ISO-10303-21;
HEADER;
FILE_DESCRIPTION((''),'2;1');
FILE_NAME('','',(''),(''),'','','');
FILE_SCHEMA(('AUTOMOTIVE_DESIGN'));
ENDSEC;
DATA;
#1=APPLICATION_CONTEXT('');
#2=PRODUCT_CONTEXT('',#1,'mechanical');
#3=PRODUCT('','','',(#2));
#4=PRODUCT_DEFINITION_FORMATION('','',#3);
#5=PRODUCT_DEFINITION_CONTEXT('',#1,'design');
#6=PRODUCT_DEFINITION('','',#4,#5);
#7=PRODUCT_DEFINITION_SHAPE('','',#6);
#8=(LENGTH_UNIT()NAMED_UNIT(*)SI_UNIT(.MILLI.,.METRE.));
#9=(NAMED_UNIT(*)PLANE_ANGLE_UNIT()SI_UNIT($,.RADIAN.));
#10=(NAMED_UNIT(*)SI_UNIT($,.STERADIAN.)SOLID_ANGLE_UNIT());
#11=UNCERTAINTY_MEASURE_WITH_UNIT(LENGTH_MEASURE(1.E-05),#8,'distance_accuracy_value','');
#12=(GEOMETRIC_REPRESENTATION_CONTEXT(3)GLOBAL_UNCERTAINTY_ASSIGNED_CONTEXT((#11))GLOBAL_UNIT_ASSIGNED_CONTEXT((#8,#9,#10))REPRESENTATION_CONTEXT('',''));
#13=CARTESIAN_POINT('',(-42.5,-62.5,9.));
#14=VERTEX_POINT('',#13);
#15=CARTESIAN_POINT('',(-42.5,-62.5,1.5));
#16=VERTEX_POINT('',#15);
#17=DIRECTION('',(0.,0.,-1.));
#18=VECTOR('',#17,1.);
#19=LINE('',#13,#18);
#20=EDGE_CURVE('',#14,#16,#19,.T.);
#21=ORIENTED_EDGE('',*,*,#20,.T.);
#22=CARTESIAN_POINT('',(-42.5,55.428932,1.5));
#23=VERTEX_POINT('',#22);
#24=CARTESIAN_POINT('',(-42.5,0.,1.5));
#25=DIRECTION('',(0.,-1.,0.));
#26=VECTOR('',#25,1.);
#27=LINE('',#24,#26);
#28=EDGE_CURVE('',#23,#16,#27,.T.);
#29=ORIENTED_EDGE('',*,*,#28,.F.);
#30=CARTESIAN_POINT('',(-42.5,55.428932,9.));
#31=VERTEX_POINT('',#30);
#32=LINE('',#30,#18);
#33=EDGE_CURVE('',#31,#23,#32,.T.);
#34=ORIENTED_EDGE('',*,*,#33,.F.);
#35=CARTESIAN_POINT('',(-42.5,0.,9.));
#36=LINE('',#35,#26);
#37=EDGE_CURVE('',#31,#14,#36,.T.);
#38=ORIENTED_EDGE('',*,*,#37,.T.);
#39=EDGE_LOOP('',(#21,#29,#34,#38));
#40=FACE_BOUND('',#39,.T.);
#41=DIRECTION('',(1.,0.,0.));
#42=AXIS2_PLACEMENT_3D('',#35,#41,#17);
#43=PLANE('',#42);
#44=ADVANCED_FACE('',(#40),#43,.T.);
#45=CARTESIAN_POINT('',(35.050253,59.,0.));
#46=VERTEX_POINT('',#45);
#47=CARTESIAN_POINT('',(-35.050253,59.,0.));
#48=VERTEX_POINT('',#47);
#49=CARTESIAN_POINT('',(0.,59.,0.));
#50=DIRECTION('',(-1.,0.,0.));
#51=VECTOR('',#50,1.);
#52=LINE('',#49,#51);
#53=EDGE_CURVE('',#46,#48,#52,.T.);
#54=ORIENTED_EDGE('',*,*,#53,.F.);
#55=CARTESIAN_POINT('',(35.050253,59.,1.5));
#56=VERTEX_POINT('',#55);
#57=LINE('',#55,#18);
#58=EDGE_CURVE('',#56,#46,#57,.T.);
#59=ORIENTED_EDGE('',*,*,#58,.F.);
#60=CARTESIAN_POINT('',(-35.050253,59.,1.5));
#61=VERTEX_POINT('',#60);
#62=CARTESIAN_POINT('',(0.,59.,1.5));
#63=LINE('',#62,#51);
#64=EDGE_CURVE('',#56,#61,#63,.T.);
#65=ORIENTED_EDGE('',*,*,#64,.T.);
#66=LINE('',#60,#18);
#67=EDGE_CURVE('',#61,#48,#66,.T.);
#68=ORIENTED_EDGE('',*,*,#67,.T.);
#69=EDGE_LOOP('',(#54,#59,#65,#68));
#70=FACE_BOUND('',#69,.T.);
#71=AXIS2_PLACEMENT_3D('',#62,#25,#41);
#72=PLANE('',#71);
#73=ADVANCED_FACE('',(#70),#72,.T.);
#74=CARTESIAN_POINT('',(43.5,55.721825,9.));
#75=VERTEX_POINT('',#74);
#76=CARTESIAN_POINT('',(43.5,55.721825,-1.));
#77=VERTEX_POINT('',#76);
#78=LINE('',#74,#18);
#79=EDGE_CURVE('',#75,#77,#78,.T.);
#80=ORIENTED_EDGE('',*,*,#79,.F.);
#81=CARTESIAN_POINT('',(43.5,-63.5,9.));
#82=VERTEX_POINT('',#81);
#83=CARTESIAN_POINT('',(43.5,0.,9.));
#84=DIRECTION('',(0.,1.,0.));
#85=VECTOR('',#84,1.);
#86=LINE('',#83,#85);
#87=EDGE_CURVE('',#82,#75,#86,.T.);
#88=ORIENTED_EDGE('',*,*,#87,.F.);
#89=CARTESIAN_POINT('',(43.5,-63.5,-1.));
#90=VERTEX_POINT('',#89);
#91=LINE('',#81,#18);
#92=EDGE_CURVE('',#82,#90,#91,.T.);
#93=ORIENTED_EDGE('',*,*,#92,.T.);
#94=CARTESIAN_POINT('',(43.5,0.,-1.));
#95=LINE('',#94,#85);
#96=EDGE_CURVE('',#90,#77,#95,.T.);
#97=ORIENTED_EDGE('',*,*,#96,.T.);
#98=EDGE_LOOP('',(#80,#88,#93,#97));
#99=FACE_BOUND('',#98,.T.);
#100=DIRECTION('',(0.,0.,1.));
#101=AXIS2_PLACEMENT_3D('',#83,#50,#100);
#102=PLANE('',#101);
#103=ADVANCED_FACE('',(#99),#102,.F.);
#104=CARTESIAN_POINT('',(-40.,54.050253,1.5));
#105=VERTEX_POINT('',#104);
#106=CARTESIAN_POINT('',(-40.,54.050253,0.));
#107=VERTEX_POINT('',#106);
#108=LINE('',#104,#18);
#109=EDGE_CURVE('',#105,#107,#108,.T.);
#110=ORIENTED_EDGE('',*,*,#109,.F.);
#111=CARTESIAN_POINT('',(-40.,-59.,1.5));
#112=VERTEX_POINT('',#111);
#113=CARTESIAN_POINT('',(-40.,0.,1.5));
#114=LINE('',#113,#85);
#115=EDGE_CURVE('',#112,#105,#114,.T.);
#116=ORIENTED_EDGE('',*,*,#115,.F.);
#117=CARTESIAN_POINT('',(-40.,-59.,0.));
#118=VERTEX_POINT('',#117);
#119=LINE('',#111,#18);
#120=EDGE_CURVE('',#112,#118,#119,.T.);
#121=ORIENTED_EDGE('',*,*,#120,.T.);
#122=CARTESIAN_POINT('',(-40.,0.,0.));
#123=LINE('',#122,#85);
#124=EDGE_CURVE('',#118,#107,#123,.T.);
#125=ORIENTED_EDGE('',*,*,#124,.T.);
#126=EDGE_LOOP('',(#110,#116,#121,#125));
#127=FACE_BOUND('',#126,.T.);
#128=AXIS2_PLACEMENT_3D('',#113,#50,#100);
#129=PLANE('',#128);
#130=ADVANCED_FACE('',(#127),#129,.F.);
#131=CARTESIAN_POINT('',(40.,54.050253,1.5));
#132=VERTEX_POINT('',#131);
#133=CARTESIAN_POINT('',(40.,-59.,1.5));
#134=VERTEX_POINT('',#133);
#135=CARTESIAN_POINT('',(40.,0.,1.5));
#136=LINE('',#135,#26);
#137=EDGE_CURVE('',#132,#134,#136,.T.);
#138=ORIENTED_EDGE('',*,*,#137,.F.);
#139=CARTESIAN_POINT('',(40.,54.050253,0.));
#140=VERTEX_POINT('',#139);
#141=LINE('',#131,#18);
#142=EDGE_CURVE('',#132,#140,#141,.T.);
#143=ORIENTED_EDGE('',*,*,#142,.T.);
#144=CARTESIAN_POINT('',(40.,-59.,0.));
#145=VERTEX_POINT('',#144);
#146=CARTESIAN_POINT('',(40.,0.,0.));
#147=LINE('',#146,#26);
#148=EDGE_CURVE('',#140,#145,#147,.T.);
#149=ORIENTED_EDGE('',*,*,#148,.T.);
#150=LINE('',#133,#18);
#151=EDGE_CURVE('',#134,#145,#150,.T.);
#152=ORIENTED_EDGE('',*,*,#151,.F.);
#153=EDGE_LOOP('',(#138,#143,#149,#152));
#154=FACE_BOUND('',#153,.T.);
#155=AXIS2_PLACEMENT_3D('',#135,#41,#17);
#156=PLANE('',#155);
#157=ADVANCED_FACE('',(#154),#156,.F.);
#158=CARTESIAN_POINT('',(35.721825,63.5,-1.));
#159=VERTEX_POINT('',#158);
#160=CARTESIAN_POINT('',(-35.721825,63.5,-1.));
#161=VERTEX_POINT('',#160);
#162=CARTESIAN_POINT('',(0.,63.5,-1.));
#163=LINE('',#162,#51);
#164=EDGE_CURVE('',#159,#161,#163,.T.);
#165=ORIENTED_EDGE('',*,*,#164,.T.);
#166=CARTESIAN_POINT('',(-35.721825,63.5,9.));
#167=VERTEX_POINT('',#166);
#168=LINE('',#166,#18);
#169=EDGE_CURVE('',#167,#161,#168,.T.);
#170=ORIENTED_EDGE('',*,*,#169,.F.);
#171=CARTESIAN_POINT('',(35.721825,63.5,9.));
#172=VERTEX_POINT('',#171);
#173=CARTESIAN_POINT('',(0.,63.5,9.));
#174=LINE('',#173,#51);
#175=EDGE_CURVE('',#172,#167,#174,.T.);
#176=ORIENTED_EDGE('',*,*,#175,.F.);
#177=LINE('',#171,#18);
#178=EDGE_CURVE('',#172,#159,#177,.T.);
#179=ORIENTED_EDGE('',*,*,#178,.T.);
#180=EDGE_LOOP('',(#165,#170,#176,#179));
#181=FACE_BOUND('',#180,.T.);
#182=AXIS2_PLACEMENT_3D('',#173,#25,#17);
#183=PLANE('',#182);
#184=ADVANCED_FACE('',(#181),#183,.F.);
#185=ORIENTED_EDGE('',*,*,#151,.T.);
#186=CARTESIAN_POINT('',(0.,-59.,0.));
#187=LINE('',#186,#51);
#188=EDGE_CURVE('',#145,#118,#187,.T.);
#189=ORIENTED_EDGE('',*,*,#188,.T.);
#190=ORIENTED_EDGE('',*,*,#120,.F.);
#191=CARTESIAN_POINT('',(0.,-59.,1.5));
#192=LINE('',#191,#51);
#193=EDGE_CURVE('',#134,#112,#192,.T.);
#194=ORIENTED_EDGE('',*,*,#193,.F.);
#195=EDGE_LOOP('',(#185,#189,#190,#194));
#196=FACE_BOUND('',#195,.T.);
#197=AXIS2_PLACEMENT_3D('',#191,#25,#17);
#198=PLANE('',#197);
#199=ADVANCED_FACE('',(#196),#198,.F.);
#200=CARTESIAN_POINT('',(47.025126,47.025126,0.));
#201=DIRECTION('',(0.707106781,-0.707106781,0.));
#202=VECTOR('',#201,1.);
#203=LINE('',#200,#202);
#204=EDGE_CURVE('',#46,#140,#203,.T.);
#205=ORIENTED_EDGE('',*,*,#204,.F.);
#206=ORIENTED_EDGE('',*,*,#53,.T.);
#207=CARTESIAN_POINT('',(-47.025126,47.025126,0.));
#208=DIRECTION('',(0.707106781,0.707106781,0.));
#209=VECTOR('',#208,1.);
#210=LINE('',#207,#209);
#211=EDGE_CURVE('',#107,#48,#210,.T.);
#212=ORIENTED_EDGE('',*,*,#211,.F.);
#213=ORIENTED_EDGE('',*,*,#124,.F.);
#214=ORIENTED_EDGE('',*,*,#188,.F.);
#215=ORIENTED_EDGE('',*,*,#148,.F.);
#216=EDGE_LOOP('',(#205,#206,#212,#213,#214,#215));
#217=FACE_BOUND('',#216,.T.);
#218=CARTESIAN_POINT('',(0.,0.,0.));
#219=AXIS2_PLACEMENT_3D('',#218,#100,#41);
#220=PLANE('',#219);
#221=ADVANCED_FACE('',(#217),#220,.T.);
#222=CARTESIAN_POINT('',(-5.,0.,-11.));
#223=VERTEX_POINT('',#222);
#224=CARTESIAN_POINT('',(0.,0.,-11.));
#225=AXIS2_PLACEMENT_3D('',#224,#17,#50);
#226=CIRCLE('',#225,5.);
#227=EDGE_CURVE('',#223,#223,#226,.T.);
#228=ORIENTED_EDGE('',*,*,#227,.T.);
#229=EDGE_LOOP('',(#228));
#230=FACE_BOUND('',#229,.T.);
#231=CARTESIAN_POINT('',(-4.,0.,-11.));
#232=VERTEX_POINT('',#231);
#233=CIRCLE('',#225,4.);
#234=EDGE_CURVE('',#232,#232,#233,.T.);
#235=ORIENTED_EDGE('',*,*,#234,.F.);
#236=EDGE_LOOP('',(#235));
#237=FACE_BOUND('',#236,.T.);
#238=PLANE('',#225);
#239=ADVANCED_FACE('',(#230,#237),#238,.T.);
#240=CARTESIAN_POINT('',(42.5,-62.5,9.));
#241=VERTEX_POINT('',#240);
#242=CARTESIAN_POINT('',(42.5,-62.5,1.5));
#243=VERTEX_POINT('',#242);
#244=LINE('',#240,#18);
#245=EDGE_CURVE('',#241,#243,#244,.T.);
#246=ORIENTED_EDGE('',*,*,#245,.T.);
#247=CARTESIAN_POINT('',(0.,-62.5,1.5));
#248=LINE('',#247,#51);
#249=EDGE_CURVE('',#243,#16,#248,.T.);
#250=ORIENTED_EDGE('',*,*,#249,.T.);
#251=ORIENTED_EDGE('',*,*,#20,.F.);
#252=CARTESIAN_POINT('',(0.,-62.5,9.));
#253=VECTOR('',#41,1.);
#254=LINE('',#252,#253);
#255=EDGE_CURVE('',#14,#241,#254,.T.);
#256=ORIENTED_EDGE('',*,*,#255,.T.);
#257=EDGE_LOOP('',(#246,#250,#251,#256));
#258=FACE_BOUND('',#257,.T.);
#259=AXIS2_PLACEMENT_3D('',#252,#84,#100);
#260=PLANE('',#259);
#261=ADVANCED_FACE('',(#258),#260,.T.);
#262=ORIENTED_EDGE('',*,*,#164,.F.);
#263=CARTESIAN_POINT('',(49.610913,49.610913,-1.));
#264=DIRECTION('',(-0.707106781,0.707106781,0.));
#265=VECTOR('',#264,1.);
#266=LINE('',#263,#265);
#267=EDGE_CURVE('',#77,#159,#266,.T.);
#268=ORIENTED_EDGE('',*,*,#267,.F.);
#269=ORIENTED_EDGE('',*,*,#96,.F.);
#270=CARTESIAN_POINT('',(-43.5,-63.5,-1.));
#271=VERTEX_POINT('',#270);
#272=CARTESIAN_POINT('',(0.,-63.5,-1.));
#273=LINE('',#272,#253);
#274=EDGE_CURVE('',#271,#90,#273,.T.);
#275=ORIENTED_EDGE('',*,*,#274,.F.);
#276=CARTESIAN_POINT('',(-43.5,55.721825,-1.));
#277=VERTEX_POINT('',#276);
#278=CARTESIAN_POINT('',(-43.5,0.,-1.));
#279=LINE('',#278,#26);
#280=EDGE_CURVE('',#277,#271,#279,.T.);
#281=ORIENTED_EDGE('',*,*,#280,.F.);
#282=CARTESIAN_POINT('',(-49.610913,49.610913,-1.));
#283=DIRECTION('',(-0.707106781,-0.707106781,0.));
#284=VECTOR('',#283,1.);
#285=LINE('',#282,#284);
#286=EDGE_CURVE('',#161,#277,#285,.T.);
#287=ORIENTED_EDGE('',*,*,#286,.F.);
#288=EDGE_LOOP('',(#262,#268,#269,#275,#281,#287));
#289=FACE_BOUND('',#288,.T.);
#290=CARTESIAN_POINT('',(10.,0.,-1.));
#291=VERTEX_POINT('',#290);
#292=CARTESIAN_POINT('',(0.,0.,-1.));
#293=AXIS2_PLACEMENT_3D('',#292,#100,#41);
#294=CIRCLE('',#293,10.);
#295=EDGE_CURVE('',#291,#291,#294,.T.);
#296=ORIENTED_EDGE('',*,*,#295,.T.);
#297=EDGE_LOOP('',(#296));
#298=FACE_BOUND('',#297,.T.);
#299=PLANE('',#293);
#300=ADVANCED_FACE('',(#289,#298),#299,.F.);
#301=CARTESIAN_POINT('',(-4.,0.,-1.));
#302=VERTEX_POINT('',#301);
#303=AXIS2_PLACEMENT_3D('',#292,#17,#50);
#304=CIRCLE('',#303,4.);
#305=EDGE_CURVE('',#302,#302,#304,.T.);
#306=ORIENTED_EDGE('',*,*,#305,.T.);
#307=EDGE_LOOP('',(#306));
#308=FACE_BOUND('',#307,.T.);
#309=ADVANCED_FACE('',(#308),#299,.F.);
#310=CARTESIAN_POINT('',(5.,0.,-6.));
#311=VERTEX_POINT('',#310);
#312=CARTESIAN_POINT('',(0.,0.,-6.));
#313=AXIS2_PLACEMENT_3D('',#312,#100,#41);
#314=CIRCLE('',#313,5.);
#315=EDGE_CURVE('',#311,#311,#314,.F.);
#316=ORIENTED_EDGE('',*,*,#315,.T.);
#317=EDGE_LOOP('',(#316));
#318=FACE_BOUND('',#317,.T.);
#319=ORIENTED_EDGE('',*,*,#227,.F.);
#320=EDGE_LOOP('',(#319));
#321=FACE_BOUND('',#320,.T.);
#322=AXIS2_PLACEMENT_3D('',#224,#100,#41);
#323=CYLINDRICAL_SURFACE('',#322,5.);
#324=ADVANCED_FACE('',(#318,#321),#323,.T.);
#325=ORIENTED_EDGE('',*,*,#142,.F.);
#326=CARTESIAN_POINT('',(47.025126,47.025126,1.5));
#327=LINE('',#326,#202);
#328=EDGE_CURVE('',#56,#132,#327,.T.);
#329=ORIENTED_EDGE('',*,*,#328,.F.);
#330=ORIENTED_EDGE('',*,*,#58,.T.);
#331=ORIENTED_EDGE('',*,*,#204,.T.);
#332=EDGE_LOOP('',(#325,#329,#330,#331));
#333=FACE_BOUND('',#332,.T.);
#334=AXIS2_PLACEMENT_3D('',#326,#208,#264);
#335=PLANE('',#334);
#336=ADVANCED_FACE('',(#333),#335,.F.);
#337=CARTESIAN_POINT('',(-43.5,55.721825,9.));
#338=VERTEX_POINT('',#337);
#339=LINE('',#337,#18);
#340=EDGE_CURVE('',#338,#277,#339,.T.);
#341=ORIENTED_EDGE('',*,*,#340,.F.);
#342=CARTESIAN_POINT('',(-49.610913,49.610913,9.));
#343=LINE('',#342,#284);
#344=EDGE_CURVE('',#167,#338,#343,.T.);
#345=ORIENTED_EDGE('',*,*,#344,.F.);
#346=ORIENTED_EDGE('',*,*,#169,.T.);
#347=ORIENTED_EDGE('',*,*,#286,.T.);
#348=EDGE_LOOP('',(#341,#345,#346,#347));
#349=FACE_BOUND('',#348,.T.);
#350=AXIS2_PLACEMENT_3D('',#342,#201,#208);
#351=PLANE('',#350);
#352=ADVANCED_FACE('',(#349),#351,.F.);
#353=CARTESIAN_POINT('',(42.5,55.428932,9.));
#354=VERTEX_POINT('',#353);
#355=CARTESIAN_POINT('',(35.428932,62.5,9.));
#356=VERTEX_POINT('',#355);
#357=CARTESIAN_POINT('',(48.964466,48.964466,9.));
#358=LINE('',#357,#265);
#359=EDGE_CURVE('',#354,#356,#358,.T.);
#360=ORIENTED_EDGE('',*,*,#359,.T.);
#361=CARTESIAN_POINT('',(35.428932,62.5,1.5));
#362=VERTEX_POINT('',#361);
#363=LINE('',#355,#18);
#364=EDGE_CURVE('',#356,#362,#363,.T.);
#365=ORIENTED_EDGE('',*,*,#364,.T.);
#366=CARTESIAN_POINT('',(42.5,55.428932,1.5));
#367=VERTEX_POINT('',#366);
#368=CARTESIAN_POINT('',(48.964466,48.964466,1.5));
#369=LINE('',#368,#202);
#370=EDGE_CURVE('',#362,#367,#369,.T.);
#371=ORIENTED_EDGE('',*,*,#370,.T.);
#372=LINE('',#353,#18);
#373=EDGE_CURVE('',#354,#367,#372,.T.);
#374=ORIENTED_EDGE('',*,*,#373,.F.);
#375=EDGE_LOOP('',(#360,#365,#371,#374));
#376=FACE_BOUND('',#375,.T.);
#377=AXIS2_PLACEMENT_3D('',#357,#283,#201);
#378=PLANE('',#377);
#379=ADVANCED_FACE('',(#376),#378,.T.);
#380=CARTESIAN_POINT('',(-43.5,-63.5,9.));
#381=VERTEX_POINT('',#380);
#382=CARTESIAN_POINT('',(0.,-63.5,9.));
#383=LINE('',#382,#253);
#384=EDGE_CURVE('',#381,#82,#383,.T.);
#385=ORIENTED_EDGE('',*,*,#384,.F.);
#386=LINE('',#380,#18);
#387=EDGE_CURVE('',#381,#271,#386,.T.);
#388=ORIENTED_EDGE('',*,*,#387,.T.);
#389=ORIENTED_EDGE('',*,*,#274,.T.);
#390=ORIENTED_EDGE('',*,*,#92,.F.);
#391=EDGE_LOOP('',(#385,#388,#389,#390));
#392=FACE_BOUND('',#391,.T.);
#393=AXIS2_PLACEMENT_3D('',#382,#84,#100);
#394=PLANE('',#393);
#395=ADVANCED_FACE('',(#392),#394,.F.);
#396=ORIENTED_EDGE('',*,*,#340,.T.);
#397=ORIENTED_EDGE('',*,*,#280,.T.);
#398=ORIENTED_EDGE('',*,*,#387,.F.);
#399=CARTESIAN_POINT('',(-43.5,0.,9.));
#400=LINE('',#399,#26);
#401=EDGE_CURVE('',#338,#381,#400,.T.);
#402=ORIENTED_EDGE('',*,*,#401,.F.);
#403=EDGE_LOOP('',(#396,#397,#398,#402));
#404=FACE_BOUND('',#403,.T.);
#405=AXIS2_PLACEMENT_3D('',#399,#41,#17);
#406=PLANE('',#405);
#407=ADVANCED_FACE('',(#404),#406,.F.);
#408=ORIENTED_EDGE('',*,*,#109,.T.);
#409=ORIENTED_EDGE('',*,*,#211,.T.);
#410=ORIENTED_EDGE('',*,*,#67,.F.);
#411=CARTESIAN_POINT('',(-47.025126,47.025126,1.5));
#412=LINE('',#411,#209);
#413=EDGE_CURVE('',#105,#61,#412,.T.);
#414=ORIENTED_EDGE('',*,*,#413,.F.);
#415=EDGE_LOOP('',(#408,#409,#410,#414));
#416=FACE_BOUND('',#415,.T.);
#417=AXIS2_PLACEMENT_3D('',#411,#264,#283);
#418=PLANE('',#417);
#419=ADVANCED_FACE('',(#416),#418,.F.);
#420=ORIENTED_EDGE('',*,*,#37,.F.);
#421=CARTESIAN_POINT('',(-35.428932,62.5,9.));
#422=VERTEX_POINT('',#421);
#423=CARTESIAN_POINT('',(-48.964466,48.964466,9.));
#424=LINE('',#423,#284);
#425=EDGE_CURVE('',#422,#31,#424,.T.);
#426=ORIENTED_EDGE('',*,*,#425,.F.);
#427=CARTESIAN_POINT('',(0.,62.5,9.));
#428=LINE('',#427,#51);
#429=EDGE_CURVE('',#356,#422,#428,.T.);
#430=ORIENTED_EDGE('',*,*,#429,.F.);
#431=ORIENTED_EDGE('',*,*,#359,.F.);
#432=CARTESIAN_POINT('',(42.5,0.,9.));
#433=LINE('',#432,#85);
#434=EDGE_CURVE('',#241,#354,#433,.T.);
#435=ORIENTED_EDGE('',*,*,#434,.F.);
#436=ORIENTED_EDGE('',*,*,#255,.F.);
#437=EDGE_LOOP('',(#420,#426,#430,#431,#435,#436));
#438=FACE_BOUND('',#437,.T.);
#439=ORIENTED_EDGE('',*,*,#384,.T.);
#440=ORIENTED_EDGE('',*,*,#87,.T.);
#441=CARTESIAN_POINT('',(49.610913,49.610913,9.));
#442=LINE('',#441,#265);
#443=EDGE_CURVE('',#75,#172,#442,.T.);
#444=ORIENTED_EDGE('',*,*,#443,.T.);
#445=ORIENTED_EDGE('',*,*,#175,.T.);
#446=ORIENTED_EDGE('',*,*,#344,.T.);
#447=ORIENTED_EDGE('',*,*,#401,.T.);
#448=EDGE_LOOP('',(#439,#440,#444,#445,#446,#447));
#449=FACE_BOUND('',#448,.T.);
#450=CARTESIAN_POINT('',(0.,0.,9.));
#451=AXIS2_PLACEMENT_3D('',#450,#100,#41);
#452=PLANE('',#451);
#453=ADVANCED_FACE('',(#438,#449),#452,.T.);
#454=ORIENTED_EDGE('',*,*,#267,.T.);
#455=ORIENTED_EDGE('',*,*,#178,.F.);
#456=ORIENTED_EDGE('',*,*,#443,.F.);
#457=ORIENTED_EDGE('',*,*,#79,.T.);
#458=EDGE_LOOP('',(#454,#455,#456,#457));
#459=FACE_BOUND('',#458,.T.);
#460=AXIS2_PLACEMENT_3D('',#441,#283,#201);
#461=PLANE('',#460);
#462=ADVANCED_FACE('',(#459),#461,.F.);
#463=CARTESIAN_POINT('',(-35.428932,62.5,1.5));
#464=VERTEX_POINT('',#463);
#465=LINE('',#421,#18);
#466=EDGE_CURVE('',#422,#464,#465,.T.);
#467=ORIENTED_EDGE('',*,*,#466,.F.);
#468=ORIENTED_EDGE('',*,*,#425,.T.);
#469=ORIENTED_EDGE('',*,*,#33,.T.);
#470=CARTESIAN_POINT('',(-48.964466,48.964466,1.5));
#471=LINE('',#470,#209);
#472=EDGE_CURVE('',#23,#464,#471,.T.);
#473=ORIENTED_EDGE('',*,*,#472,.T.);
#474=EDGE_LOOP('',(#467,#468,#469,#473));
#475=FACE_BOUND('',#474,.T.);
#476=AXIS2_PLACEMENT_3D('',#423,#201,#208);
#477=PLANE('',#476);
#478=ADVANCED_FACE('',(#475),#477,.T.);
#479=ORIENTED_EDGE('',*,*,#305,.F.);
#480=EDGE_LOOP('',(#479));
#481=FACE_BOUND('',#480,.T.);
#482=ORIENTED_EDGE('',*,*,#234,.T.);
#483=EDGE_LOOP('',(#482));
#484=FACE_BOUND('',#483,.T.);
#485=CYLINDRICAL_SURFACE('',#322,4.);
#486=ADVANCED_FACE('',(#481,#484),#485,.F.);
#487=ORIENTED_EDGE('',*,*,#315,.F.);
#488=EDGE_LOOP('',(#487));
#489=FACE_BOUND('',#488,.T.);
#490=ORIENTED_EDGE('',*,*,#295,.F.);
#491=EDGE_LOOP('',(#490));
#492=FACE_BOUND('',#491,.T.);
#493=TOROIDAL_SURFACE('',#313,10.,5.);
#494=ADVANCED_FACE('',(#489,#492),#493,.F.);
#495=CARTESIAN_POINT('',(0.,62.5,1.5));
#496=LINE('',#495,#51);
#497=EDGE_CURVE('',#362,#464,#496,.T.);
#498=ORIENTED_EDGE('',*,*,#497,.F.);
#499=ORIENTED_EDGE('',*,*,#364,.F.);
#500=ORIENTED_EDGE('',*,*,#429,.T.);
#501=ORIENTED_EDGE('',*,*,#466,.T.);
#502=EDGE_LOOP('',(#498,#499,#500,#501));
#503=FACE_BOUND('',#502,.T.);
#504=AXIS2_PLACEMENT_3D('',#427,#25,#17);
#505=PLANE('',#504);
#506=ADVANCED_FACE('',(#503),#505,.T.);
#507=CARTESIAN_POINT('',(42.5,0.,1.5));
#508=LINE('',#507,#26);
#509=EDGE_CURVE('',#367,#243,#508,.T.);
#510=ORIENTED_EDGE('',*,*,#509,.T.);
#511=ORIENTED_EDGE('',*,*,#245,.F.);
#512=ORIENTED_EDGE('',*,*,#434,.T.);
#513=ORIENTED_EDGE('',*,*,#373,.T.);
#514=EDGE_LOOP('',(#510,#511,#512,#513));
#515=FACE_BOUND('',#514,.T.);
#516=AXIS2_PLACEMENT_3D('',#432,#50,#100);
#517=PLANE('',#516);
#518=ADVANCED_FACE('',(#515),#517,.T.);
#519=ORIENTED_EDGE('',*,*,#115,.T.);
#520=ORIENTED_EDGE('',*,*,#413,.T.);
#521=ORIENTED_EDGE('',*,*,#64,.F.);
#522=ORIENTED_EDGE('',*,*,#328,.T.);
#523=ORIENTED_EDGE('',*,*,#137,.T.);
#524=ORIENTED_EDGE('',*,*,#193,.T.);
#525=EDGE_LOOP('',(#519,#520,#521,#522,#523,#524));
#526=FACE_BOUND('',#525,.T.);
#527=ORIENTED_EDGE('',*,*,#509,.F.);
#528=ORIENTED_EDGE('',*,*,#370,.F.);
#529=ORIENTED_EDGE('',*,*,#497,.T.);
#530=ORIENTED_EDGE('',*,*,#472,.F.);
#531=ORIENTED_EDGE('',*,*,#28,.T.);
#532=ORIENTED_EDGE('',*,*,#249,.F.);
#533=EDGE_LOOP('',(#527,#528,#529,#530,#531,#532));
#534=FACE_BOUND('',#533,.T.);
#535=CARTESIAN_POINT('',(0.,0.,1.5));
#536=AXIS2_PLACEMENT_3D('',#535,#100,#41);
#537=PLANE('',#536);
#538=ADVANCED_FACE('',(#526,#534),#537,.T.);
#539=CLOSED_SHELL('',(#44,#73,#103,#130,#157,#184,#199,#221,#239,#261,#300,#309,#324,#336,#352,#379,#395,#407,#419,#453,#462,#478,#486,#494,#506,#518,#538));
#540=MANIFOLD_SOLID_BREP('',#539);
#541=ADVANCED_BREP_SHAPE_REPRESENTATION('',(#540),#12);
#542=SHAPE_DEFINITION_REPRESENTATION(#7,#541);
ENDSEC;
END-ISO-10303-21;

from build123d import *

# Parameters (mm, degrees)
BOSS_EXTRUDE1_DEPTH = 1.5
BOSS_EXTRUDE2_DEPTH = 9
BOSS_EXTRUDE3_DEPTH = 1
SKETCH4_R           = 5
SKETCH4_R_2         = 4
BOSS_EXTRUDE4_DEPTH = 10
FILLET1_R           = 5


with BuildPart() as part:
    # Sketch1 → Boss-Extrude1 (new body)
    with BuildSketch(Plane(origin=(0, 0, 0), x_dir=(0, 1, 0), z_dir=(0, 0, 1))):
        Polygon((-62.5, -42.5), (-62.5, 42.5), (55.428932188, 42.5), (62.5, 35.428932188), (62.5, -35.428932188), (55.428932188, -42.5), align=None)
        Polygon((54.050252532, 40), (59, 35.050252532), (59, -35.050252532), (54.050252532, -40), (-59, -40), (-59, 40), align=None, mode=Mode.SUBTRACT)
    extrude(amount=BOSS_EXTRUDE1_DEPTH)

    # Sketch2 → Boss-Extrude2 (add)
    with BuildSketch(Plane(origin=(0, 0, 0), x_dir=(0, 1, 0), z_dir=(0, 0, 1))):
        Polygon((-63.5, 43.5), (-63.5, -43.5), (55.721825407, -43.5), (63.5, -35.721825407), (63.5, 35.721825407), (55.721825407, 43.5), align=None)
        Polygon((-62.5, -42.5), (55.428932188, -42.5), (62.5, -35.428932188), (62.5, 35.428932188), (55.428932188, 42.5), (-62.5, 42.5), align=None, mode=Mode.SUBTRACT)
    extrude(amount=BOSS_EXTRUDE2_DEPTH)

    # Sketch3 → Boss-Extrude3 (add)
    with BuildSketch(Plane(origin=(0, 0, 0), x_dir=(0, 1, 0), z_dir=(0, 0, 1))):
        Polygon((63.5, 35.721825407), (55.721825407, 43.5), (-63.5, 43.5), (-63.5, -43.5), (55.721825407, -43.5), (63.5, -35.721825407), align=None)
    extrude(amount=-BOSS_EXTRUDE3_DEPTH)

    # Sketch4 → Boss-Extrude4 (add)
    with BuildSketch(Plane(origin=(0, 0, -1), x_dir=(1, 0, 0), z_dir=(0, 0, -1))):
        Circle(SKETCH4_R)
        with Locations(Location((0, 0, 0), (0, 0, 180))):
            Circle(SKETCH4_R_2, mode=Mode.SUBTRACT)
    extrude(amount=BOSS_EXTRUDE4_DEPTH)

    # Fillet1
    fillet1_edges = [part.edges().sort_by_distance(p)[0] for p in [
        (-5, 0, -1),
    ]]
    fillet(fillet1_edges, radius=FILLET1_R)


solid = part.part
